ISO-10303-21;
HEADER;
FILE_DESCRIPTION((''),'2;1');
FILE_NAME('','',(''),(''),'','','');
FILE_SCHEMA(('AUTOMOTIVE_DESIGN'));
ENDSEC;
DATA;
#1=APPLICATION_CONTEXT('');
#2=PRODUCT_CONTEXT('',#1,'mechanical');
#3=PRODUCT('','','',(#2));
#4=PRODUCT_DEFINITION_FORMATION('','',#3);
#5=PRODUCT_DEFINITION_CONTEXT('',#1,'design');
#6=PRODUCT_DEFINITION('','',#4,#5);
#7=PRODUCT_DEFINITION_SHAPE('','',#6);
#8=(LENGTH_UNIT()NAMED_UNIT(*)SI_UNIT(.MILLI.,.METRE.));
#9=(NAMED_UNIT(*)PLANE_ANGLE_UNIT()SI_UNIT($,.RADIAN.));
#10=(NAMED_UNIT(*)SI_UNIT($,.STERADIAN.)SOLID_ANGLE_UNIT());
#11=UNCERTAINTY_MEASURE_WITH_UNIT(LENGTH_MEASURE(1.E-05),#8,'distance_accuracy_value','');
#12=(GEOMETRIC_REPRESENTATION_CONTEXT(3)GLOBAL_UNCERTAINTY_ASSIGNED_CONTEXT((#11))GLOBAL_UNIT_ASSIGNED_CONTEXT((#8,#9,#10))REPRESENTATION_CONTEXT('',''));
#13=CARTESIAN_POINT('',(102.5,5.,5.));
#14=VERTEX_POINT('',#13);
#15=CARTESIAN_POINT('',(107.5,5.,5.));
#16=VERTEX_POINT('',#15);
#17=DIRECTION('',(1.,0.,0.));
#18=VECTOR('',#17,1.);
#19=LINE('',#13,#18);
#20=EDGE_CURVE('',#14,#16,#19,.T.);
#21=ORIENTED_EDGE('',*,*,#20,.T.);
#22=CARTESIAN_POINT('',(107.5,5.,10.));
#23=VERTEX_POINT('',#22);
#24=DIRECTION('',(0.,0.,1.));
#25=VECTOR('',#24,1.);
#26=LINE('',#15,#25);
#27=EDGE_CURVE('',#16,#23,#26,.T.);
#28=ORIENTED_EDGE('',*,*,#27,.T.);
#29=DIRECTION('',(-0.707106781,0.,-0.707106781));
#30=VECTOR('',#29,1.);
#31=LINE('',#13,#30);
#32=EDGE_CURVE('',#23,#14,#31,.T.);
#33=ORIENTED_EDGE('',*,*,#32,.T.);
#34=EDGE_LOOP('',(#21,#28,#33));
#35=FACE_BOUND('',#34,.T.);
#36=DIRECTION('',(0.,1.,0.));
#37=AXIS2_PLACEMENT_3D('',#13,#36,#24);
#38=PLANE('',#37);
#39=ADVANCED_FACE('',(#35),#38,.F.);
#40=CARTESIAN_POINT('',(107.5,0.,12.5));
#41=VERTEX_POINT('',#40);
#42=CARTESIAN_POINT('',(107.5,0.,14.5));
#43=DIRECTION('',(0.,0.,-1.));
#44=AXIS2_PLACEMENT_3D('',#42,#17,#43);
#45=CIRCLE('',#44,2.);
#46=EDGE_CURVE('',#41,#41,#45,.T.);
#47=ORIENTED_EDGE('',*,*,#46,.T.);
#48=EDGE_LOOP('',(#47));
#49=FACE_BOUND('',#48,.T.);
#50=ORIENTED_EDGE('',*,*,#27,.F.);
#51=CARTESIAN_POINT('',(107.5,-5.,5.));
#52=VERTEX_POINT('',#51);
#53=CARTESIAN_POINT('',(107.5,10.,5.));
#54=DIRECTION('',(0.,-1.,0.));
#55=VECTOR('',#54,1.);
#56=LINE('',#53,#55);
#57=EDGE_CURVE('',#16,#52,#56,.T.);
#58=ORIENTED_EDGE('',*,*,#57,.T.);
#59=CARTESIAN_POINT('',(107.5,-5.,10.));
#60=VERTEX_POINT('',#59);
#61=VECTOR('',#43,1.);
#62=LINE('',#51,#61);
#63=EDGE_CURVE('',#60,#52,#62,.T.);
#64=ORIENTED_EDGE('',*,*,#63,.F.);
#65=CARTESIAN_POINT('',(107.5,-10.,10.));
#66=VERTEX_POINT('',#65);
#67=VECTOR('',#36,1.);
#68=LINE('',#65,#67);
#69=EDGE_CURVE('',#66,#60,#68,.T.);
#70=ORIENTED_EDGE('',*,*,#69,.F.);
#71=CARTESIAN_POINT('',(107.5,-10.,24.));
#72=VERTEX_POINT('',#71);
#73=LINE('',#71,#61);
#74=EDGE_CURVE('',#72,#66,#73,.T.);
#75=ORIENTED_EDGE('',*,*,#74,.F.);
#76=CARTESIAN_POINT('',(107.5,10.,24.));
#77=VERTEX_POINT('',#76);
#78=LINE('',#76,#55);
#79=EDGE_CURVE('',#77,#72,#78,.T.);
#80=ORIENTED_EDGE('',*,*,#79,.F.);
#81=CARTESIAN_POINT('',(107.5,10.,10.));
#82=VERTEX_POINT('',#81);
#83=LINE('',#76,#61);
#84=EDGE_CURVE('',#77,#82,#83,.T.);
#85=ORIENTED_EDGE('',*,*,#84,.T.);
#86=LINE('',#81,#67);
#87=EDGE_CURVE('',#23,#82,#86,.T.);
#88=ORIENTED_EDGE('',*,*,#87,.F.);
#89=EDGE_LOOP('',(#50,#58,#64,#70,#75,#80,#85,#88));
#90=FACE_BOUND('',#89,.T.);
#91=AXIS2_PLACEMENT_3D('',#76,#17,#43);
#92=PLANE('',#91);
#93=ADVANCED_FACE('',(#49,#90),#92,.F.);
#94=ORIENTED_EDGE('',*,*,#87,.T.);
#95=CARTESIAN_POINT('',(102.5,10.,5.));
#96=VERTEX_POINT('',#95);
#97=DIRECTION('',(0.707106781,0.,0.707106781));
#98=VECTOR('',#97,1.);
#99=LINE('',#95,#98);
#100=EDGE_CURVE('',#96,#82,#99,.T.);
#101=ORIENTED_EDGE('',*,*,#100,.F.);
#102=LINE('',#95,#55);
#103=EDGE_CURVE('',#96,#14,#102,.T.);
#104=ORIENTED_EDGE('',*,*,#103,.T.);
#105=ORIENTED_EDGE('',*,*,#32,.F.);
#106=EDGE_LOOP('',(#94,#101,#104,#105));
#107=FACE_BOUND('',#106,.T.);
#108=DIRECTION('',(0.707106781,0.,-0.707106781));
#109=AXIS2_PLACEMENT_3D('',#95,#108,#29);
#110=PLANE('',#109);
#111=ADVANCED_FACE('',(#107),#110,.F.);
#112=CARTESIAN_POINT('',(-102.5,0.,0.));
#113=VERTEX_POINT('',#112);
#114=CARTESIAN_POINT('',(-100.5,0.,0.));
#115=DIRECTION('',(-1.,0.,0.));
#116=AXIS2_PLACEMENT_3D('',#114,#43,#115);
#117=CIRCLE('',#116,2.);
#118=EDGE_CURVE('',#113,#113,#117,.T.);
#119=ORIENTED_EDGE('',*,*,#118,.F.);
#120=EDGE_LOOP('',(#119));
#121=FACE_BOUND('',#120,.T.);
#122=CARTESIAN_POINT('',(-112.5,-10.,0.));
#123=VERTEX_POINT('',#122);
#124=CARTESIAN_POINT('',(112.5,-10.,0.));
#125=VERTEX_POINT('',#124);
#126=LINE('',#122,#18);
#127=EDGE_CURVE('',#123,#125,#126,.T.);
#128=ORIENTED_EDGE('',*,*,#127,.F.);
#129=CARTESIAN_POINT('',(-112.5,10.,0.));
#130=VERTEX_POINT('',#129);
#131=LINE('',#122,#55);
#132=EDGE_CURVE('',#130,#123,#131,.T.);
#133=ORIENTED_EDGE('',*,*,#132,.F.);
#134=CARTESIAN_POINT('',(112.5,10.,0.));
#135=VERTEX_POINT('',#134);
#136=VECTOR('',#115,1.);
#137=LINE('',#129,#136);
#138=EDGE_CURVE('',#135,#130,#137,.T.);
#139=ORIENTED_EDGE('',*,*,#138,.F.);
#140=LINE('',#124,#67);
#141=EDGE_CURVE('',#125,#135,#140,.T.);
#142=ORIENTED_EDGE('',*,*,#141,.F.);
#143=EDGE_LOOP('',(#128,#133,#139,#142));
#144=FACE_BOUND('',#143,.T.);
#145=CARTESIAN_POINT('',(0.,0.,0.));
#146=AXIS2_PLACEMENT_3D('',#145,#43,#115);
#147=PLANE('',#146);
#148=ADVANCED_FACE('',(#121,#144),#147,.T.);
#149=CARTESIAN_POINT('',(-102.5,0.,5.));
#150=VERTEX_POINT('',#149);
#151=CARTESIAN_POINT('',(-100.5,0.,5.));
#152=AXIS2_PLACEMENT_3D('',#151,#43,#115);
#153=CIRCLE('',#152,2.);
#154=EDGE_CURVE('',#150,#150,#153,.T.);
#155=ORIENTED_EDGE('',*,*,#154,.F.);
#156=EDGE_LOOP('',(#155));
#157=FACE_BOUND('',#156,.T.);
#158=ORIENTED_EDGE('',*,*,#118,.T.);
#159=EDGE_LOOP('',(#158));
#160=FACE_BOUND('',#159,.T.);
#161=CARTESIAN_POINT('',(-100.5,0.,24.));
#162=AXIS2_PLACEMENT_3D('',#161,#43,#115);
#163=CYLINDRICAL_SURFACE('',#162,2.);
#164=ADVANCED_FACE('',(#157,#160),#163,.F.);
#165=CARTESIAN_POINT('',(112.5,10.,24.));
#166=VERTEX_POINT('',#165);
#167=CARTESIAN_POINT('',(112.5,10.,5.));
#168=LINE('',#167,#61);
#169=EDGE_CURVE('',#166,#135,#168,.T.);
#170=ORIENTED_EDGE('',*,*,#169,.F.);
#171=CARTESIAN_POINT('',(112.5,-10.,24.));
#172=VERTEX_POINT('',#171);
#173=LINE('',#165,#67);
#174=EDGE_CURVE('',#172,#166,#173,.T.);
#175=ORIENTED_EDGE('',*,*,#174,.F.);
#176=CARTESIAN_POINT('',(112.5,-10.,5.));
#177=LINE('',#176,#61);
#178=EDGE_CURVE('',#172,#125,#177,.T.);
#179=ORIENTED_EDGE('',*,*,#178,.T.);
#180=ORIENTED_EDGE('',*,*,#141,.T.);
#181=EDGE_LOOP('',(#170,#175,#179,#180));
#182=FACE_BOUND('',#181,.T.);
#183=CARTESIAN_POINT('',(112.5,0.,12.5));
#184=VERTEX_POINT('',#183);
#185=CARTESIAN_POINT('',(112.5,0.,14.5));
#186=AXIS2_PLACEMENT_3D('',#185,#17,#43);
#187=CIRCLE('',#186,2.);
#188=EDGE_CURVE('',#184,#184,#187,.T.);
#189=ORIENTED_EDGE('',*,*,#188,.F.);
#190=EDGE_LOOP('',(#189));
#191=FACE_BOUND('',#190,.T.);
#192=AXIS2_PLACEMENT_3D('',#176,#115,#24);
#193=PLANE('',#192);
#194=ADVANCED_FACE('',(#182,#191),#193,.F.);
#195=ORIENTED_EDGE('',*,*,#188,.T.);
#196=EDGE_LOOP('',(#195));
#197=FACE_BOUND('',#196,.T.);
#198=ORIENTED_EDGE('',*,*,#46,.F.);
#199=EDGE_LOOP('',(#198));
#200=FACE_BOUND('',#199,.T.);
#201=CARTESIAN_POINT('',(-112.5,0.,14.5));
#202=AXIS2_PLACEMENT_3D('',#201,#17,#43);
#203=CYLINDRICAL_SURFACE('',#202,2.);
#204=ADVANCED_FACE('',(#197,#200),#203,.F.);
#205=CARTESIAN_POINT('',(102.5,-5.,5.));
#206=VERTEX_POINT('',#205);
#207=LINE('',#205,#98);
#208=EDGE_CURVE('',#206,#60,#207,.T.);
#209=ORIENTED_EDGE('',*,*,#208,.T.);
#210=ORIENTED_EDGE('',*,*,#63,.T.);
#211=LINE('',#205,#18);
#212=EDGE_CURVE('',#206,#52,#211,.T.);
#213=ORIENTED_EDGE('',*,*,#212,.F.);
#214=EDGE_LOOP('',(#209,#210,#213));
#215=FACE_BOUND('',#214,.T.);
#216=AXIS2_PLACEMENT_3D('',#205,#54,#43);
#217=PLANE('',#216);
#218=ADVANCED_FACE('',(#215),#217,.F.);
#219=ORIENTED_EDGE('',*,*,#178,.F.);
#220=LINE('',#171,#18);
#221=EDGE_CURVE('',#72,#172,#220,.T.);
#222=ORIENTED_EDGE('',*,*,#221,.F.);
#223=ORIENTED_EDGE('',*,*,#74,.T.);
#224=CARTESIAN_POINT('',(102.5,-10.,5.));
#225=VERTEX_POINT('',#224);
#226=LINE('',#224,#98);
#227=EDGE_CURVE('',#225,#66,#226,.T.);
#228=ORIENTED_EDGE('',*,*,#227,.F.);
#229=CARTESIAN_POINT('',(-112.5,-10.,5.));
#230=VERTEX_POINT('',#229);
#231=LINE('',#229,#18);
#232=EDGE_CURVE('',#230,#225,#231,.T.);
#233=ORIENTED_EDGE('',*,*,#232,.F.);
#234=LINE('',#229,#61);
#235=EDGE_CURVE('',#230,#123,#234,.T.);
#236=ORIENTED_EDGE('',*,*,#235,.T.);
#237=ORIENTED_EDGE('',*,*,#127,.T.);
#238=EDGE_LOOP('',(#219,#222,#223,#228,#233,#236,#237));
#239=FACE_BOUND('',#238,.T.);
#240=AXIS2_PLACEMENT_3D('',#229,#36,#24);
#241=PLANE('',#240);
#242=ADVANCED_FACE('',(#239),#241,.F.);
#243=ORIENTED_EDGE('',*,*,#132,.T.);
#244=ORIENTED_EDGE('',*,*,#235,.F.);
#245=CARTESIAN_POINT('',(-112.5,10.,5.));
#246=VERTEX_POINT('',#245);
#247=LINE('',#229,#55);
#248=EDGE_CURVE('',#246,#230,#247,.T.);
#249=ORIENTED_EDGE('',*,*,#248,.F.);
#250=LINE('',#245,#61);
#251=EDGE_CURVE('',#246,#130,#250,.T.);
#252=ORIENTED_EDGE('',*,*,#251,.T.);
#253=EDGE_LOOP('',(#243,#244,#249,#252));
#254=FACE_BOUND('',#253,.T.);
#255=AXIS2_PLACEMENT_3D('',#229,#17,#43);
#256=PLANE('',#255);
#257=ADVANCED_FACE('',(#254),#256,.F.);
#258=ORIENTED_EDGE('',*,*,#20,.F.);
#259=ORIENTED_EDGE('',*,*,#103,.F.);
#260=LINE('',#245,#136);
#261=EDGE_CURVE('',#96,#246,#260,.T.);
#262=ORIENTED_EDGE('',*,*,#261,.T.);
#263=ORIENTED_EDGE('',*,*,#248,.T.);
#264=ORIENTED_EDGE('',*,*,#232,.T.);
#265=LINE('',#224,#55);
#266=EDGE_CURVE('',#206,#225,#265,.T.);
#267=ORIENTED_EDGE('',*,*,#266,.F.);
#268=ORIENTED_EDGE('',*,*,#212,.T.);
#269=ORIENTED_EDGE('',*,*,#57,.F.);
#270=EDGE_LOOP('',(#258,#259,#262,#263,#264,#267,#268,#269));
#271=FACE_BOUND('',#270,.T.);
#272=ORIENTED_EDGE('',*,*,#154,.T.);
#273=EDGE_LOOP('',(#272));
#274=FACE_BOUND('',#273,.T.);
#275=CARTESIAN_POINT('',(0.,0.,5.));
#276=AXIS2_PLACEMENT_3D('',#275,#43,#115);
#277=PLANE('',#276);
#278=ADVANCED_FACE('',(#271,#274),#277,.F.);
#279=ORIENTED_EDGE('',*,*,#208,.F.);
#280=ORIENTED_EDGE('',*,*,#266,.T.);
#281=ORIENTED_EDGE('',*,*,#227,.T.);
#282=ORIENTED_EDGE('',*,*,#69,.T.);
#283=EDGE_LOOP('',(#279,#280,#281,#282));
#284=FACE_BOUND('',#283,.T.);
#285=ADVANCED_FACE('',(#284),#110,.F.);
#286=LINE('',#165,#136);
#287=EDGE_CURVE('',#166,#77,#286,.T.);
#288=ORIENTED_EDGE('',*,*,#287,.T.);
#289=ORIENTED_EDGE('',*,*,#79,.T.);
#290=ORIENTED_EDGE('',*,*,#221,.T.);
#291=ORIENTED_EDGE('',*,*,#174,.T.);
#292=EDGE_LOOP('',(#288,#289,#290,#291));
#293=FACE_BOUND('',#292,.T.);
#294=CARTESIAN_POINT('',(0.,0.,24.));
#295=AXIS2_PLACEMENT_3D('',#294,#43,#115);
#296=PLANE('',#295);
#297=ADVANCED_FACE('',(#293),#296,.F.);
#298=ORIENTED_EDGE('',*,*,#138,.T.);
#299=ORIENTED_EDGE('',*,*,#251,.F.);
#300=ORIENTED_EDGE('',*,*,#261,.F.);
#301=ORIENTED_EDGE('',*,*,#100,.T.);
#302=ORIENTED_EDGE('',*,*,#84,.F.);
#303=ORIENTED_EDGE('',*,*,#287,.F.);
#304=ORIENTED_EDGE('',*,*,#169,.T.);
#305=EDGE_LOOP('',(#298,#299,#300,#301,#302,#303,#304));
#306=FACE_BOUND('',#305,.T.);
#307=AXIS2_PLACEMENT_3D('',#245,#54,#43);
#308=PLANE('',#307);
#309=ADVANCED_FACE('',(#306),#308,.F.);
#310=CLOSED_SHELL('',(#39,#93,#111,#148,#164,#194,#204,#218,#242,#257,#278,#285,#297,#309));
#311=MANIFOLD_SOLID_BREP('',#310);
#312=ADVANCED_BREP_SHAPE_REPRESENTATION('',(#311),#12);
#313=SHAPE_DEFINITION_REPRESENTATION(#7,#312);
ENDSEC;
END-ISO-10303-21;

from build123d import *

# Parameters (mm, degrees)
SKETCH1_W           = 225
SKETCH1_H           = 20
BOSS_EXTRUDE1_DEPTH = 5
SKETCH2_W           = 5
SKETCH2_H           = 20
BOSS_EXTRUDE2_DEPTH = 19
SKETCH3_R           = 2
CUT_EXTRUDE1_DEPTH  = 227.497240601
SKETCH4_W           = 5
SKETCH4_H           = 5
BOSS_EXTRUDE3_DEPTH = 5
CUT_EXTRUDE2_DEPTH  = 117.757226757
SKETCH6_R           = 2
CUT_EXTRUDE3_DEPTH  = 116.465362772


with BuildPart() as part:
    # Sketch1 → Boss-Extrude1 (new body)
    with BuildSketch(Plane.XY):
        Rectangle(SKETCH1_W, SKETCH1_H)
    extrude(amount=BOSS_EXTRUDE1_DEPTH)

    # Sketch2 → Boss-Extrude2 (add)
    with BuildSketch(Plane.XY.offset(5)):
        with Locations((110, 0)):
            Rectangle(SKETCH2_W, SKETCH2_H)
    extrude(amount=BOSS_EXTRUDE2_DEPTH)

    # Sketch3 → Cut-Extrude1 (cut, through all)
    with BuildSketch(Plane(origin=(112.5, 0, 0), x_dir=(0, 0, -1), z_dir=(1, 0, 0))):
        with Locations((-14.5, 0)):
            Circle(SKETCH3_R)
    extrude(amount=-CUT_EXTRUDE1_DEPTH, mode=Mode.SUBTRACT)

    # Sketch4 → Boss-Extrude3 (add)
    with BuildSketch(Plane.ZY.offset(-107.5)):
        with Locations((7.5, -7.5)):
            Rectangle(SKETCH4_W, SKETCH4_H)
        with Locations((7.5, 7.5)):
            Rectangle(SKETCH4_W, SKETCH4_H)
    extrude(amount=BOSS_EXTRUDE3_DEPTH)

    # Sketch5 → Cut-Extrude2 (cut, through all)
    with BuildSketch(Plane.XZ.offset(10)):
        Polygon((102.5, 5), (107.5, 10), (102.5, 10), align=None)
    extrude(amount=-CUT_EXTRUDE2_DEPTH, mode=Mode.SUBTRACT)

    # Sketch6 → Cut-Extrude3 (cut, through all)
    with BuildSketch(Plane(origin=(0, 0, 0), x_dir=(-1, 0, 0), z_dir=(0, 0, -1))):
        with Locations((100.5, 0)):
            Circle(SKETCH6_R)
    extrude(amount=-CUT_EXTRUDE3_DEPTH, mode=Mode.SUBTRACT)


solid = part.part
